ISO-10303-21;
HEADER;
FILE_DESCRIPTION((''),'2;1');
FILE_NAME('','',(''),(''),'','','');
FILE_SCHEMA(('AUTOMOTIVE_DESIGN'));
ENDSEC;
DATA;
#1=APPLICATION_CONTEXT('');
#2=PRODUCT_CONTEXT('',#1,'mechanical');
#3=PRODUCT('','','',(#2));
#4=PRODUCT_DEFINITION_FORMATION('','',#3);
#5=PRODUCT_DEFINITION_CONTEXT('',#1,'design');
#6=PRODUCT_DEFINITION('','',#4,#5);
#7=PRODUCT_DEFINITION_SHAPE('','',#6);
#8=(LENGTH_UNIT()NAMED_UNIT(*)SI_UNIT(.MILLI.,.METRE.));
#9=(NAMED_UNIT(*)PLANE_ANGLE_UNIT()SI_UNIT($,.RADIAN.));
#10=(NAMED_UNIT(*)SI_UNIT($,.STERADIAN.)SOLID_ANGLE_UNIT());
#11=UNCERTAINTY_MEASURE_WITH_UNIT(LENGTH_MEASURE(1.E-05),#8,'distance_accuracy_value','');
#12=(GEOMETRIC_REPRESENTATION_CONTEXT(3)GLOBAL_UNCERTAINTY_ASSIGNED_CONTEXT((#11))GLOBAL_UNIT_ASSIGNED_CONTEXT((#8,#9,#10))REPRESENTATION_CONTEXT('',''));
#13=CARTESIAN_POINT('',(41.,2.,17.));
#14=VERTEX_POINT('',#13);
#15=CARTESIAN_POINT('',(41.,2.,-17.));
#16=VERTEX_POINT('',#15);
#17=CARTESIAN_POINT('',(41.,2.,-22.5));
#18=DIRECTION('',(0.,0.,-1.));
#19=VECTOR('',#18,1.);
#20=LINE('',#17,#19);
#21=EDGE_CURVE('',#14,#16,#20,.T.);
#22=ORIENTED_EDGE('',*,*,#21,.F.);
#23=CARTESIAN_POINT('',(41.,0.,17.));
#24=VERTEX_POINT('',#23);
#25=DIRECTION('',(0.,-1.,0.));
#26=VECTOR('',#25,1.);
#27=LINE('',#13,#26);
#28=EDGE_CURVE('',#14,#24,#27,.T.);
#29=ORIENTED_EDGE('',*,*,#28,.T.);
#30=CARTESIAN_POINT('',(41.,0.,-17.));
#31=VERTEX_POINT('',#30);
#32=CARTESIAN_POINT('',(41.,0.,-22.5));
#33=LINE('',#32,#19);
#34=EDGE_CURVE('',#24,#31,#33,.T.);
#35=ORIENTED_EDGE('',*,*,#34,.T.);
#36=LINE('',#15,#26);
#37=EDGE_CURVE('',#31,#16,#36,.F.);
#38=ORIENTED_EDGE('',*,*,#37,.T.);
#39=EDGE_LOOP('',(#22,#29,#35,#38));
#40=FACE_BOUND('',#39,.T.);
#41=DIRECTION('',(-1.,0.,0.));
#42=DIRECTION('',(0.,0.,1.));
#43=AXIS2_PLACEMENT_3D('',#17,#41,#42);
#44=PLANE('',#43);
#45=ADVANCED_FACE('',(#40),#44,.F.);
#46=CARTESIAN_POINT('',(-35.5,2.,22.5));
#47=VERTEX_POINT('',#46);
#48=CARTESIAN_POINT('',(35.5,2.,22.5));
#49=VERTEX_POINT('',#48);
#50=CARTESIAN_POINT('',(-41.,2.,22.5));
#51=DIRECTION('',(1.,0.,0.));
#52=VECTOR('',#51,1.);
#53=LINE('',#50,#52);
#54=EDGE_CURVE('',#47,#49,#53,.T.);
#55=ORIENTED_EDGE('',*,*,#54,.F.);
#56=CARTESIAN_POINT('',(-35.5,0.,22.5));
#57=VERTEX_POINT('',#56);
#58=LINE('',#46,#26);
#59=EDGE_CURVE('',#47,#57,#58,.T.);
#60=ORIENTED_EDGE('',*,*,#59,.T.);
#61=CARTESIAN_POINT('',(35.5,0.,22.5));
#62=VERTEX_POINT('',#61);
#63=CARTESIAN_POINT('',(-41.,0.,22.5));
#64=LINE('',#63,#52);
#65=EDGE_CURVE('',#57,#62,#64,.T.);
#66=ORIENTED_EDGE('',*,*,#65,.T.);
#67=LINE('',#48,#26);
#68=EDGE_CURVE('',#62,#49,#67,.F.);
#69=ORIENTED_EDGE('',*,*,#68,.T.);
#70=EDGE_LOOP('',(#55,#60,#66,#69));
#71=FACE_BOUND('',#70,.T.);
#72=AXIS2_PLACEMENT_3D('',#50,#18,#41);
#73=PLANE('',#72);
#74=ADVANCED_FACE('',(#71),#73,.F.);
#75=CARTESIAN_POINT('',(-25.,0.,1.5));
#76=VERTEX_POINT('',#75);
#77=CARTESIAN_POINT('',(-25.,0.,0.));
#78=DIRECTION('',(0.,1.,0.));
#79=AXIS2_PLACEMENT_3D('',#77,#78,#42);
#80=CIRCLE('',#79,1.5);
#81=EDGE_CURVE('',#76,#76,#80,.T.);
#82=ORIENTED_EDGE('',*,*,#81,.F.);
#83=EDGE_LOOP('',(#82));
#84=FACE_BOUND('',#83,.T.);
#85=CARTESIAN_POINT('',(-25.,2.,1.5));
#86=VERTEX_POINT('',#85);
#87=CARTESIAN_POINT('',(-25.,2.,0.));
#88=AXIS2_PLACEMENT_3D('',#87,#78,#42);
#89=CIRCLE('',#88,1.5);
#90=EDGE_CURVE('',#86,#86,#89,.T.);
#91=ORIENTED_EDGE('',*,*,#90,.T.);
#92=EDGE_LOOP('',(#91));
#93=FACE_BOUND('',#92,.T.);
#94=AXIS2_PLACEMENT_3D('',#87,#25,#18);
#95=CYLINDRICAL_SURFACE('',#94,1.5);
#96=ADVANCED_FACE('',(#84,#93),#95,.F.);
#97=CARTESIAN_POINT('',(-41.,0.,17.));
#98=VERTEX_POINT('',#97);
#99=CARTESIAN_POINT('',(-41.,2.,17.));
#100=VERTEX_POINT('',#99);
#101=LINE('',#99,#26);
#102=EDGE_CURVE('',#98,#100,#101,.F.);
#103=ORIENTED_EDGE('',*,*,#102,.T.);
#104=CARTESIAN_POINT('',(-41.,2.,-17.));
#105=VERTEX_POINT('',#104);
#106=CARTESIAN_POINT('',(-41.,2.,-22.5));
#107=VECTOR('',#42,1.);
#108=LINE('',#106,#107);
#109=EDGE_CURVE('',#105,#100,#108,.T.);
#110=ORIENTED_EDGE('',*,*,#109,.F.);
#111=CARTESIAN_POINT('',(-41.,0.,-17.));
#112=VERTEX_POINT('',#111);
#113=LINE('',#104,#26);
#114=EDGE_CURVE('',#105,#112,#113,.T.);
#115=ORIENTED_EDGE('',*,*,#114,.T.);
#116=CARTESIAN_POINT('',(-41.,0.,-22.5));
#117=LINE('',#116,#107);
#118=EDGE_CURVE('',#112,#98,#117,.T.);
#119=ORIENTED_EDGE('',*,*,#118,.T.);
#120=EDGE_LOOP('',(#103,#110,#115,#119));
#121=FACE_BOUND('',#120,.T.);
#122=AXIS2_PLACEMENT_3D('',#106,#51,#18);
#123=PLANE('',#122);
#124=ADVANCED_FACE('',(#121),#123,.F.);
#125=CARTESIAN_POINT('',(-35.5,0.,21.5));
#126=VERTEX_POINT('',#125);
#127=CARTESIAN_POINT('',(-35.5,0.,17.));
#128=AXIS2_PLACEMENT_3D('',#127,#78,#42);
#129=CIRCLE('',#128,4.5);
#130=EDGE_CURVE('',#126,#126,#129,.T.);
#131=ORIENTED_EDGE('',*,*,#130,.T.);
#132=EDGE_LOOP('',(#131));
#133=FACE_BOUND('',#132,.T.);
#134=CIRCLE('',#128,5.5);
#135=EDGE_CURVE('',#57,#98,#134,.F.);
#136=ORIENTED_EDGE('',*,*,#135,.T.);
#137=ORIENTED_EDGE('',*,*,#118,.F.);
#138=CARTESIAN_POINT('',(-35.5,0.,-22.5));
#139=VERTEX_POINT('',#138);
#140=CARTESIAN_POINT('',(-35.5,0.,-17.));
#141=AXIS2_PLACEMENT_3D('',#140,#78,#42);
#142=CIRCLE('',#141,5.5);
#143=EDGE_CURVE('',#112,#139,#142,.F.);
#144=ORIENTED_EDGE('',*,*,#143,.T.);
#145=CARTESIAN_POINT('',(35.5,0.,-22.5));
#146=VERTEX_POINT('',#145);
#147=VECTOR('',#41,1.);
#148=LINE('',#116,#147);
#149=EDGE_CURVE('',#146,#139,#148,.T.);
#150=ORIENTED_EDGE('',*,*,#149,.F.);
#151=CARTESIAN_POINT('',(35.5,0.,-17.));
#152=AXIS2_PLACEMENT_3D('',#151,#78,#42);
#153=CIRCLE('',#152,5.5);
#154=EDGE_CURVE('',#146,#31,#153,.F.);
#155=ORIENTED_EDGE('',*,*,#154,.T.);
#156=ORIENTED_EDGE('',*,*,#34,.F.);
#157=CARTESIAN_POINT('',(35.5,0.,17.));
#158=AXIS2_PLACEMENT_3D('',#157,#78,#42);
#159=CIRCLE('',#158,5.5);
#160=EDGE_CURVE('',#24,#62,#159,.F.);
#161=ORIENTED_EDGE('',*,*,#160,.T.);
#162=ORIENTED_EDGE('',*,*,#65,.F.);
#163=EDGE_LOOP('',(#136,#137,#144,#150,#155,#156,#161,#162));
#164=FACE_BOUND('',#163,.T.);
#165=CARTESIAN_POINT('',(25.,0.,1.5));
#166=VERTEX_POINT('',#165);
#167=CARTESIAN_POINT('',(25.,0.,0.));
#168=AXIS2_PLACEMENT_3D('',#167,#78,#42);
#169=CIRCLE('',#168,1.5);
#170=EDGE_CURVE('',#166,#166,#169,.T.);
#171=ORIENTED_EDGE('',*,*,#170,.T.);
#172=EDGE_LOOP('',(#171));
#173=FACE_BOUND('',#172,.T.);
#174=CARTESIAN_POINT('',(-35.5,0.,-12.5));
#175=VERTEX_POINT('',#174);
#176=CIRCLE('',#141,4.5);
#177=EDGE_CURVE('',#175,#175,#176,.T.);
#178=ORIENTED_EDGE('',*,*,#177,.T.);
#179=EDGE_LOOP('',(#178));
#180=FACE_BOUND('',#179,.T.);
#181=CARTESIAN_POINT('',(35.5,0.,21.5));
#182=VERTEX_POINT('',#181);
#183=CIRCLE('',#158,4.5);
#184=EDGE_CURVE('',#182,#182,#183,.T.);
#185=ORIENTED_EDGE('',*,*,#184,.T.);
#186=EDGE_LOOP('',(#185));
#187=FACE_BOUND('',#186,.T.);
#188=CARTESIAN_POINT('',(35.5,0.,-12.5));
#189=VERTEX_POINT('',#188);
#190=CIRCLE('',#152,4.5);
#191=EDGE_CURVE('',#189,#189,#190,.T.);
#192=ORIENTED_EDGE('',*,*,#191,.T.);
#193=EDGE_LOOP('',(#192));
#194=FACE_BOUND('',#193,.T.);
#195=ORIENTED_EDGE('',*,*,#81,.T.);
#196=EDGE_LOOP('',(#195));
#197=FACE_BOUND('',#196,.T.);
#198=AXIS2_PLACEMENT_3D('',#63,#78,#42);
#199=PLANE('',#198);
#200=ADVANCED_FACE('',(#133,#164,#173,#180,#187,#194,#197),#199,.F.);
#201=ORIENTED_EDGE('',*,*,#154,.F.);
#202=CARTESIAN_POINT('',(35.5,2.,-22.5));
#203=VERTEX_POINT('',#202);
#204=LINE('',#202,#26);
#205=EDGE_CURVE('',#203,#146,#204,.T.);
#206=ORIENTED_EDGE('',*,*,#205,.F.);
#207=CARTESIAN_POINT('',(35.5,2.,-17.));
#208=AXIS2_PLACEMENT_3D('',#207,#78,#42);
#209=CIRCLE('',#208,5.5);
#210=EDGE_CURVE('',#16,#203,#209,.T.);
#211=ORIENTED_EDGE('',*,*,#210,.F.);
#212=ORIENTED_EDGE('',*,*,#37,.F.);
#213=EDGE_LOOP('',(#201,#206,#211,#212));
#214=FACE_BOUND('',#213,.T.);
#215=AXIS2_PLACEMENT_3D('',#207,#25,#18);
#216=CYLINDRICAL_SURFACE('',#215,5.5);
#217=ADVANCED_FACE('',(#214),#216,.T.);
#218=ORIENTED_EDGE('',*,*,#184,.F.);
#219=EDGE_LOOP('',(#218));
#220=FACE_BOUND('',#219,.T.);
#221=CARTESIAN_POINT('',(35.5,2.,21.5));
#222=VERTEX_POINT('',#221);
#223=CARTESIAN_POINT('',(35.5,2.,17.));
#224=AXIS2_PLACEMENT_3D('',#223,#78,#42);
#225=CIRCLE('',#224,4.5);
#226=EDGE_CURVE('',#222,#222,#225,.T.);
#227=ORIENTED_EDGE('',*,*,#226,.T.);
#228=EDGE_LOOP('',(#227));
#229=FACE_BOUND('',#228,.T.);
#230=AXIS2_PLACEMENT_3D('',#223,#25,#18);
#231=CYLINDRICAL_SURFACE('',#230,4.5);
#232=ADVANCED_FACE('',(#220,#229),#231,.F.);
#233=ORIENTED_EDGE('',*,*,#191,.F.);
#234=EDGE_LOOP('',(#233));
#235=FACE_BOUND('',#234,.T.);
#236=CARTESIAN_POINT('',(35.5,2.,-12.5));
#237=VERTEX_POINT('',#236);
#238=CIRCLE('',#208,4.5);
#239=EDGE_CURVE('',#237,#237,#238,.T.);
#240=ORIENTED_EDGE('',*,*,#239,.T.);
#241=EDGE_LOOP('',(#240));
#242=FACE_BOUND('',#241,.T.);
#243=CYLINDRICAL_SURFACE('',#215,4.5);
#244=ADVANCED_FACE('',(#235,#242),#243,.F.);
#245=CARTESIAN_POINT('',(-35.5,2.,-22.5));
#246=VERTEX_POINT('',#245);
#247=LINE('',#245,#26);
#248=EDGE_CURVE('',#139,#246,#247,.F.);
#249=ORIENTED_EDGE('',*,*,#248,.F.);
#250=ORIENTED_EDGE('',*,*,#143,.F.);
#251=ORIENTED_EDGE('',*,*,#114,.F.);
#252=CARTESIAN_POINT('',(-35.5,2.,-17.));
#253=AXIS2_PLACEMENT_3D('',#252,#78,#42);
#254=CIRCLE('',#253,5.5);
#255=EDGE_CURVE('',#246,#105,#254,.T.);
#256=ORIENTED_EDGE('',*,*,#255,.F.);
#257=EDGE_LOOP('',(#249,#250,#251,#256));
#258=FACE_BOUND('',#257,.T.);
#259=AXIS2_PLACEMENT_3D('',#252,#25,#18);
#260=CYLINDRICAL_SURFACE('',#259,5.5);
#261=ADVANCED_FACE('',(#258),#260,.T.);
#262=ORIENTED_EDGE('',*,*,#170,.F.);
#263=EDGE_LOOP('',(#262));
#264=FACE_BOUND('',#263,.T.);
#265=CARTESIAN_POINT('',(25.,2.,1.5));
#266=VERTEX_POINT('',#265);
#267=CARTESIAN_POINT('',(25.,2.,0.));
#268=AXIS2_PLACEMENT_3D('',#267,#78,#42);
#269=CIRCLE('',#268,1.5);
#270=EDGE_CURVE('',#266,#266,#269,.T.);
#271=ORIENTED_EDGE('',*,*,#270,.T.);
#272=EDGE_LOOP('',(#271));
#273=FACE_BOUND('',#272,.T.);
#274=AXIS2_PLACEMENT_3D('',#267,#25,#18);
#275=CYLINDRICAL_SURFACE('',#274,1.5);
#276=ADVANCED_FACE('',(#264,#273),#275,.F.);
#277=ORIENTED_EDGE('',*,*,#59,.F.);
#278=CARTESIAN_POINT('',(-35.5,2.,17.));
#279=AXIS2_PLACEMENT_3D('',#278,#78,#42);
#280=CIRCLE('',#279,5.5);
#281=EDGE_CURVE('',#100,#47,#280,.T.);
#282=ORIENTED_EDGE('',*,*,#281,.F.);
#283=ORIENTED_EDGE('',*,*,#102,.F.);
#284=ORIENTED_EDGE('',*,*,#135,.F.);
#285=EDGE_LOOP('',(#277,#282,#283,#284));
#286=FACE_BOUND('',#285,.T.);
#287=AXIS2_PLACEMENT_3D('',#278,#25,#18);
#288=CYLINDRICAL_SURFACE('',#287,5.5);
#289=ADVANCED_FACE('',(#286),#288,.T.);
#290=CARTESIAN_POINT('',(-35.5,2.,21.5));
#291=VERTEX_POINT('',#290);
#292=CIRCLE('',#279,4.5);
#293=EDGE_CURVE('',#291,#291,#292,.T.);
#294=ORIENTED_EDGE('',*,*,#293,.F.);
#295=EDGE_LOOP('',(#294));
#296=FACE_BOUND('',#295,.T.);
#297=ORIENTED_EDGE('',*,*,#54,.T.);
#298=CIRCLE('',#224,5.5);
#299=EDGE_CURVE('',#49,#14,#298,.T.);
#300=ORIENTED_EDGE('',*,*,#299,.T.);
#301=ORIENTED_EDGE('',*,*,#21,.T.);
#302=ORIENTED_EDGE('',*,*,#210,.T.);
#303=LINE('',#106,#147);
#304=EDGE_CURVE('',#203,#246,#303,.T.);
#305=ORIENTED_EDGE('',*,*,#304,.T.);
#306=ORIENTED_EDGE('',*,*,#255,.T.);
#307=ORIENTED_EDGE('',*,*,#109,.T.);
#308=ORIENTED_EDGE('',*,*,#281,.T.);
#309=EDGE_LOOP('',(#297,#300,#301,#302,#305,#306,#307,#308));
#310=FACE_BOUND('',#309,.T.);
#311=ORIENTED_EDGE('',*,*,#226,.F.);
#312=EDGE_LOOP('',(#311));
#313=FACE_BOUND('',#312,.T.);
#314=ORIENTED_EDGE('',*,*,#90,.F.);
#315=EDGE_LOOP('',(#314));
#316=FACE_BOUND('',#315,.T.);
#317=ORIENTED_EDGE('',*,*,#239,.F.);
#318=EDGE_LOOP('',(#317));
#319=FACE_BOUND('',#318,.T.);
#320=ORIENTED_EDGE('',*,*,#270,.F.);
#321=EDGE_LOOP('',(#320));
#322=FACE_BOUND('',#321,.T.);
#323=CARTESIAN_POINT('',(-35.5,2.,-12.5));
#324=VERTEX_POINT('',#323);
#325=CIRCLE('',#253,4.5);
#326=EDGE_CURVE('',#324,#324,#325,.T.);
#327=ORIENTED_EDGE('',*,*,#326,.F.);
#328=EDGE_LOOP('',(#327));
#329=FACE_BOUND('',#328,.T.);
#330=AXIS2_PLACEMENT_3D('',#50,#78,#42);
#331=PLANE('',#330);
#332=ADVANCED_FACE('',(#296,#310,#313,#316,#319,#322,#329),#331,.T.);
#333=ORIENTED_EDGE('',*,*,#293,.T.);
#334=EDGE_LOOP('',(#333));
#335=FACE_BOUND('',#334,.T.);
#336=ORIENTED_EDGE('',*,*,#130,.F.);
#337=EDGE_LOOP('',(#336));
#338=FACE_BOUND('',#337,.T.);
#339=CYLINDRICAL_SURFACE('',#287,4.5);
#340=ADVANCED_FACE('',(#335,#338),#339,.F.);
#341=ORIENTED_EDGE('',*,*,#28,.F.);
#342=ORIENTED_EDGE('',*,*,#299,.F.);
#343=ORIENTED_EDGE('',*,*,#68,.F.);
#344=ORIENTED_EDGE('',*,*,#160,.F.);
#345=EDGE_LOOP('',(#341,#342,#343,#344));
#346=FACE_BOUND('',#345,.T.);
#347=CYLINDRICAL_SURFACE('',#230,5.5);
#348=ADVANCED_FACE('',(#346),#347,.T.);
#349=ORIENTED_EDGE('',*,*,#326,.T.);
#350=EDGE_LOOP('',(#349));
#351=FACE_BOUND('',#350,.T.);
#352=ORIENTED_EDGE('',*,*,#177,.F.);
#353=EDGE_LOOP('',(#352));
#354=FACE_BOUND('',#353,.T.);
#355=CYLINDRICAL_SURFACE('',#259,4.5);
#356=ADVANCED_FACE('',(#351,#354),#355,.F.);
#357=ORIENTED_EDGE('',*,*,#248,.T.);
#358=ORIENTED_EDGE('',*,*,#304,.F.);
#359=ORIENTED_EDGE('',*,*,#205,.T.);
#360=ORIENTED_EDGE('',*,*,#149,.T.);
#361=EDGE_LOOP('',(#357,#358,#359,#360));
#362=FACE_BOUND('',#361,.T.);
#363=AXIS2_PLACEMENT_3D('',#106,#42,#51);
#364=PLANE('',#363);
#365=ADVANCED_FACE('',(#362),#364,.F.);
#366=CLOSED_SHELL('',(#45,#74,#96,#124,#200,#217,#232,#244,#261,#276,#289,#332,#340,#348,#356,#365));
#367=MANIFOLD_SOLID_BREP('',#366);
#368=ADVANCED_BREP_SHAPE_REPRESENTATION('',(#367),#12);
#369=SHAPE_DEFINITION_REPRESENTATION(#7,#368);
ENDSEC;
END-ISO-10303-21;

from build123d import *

# Parameters (mm, degrees)
ESQUISSE1_W        = 82
ESQUISSE1_H        = 45
ESQUISSE1_R        = 4.5
ESQUISSE1_R_2      = 1.5
BOSS_EXTRU_1_DEPTH = 2
CONG_1_R           = 5.5


with BuildPart() as part:
    # Esquisse1 → Boss.-Extru.1 (new body)
    with BuildSketch(Plane(origin=(0, 0, 0), x_dir=(1, 0, 0), z_dir=(0, 1, 0))):
        Rectangle(ESQUISSE1_W, ESQUISSE1_H)
        with Locations((-35.5, 17)):
            Circle(ESQUISSE1_R, mode=Mode.SUBTRACT)
        with Locations((35.5, 17)):
            Circle(ESQUISSE1_R, mode=Mode.SUBTRACT)
        with Locations((35.5, -17)):
            Circle(ESQUISSE1_R, mode=Mode.SUBTRACT)
        with Locations((-35.5, -17)):
            Circle(ESQUISSE1_R, mode=Mode.SUBTRACT)
        with Locations((-25, 0)):
            Circle(ESQUISSE1_R_2, mode=Mode.SUBTRACT)
        with Locations((25, 0)):
            Circle(ESQUISSE1_R_2, mode=Mode.SUBTRACT)
    extrude(amount=BOSS_EXTRU_1_DEPTH)

    # Congé1
    cong_1_edges = [part.edges().sort_by_distance(p)[0] for p in [
        (-41, 1, -22.5),
        (41, 1, -22.5),
        (41, 1, 22.5),
        (-41, 1, 22.5),
    ]]
    fillet(cong_1_edges, radius=CONG_1_R)


solid = part.part
